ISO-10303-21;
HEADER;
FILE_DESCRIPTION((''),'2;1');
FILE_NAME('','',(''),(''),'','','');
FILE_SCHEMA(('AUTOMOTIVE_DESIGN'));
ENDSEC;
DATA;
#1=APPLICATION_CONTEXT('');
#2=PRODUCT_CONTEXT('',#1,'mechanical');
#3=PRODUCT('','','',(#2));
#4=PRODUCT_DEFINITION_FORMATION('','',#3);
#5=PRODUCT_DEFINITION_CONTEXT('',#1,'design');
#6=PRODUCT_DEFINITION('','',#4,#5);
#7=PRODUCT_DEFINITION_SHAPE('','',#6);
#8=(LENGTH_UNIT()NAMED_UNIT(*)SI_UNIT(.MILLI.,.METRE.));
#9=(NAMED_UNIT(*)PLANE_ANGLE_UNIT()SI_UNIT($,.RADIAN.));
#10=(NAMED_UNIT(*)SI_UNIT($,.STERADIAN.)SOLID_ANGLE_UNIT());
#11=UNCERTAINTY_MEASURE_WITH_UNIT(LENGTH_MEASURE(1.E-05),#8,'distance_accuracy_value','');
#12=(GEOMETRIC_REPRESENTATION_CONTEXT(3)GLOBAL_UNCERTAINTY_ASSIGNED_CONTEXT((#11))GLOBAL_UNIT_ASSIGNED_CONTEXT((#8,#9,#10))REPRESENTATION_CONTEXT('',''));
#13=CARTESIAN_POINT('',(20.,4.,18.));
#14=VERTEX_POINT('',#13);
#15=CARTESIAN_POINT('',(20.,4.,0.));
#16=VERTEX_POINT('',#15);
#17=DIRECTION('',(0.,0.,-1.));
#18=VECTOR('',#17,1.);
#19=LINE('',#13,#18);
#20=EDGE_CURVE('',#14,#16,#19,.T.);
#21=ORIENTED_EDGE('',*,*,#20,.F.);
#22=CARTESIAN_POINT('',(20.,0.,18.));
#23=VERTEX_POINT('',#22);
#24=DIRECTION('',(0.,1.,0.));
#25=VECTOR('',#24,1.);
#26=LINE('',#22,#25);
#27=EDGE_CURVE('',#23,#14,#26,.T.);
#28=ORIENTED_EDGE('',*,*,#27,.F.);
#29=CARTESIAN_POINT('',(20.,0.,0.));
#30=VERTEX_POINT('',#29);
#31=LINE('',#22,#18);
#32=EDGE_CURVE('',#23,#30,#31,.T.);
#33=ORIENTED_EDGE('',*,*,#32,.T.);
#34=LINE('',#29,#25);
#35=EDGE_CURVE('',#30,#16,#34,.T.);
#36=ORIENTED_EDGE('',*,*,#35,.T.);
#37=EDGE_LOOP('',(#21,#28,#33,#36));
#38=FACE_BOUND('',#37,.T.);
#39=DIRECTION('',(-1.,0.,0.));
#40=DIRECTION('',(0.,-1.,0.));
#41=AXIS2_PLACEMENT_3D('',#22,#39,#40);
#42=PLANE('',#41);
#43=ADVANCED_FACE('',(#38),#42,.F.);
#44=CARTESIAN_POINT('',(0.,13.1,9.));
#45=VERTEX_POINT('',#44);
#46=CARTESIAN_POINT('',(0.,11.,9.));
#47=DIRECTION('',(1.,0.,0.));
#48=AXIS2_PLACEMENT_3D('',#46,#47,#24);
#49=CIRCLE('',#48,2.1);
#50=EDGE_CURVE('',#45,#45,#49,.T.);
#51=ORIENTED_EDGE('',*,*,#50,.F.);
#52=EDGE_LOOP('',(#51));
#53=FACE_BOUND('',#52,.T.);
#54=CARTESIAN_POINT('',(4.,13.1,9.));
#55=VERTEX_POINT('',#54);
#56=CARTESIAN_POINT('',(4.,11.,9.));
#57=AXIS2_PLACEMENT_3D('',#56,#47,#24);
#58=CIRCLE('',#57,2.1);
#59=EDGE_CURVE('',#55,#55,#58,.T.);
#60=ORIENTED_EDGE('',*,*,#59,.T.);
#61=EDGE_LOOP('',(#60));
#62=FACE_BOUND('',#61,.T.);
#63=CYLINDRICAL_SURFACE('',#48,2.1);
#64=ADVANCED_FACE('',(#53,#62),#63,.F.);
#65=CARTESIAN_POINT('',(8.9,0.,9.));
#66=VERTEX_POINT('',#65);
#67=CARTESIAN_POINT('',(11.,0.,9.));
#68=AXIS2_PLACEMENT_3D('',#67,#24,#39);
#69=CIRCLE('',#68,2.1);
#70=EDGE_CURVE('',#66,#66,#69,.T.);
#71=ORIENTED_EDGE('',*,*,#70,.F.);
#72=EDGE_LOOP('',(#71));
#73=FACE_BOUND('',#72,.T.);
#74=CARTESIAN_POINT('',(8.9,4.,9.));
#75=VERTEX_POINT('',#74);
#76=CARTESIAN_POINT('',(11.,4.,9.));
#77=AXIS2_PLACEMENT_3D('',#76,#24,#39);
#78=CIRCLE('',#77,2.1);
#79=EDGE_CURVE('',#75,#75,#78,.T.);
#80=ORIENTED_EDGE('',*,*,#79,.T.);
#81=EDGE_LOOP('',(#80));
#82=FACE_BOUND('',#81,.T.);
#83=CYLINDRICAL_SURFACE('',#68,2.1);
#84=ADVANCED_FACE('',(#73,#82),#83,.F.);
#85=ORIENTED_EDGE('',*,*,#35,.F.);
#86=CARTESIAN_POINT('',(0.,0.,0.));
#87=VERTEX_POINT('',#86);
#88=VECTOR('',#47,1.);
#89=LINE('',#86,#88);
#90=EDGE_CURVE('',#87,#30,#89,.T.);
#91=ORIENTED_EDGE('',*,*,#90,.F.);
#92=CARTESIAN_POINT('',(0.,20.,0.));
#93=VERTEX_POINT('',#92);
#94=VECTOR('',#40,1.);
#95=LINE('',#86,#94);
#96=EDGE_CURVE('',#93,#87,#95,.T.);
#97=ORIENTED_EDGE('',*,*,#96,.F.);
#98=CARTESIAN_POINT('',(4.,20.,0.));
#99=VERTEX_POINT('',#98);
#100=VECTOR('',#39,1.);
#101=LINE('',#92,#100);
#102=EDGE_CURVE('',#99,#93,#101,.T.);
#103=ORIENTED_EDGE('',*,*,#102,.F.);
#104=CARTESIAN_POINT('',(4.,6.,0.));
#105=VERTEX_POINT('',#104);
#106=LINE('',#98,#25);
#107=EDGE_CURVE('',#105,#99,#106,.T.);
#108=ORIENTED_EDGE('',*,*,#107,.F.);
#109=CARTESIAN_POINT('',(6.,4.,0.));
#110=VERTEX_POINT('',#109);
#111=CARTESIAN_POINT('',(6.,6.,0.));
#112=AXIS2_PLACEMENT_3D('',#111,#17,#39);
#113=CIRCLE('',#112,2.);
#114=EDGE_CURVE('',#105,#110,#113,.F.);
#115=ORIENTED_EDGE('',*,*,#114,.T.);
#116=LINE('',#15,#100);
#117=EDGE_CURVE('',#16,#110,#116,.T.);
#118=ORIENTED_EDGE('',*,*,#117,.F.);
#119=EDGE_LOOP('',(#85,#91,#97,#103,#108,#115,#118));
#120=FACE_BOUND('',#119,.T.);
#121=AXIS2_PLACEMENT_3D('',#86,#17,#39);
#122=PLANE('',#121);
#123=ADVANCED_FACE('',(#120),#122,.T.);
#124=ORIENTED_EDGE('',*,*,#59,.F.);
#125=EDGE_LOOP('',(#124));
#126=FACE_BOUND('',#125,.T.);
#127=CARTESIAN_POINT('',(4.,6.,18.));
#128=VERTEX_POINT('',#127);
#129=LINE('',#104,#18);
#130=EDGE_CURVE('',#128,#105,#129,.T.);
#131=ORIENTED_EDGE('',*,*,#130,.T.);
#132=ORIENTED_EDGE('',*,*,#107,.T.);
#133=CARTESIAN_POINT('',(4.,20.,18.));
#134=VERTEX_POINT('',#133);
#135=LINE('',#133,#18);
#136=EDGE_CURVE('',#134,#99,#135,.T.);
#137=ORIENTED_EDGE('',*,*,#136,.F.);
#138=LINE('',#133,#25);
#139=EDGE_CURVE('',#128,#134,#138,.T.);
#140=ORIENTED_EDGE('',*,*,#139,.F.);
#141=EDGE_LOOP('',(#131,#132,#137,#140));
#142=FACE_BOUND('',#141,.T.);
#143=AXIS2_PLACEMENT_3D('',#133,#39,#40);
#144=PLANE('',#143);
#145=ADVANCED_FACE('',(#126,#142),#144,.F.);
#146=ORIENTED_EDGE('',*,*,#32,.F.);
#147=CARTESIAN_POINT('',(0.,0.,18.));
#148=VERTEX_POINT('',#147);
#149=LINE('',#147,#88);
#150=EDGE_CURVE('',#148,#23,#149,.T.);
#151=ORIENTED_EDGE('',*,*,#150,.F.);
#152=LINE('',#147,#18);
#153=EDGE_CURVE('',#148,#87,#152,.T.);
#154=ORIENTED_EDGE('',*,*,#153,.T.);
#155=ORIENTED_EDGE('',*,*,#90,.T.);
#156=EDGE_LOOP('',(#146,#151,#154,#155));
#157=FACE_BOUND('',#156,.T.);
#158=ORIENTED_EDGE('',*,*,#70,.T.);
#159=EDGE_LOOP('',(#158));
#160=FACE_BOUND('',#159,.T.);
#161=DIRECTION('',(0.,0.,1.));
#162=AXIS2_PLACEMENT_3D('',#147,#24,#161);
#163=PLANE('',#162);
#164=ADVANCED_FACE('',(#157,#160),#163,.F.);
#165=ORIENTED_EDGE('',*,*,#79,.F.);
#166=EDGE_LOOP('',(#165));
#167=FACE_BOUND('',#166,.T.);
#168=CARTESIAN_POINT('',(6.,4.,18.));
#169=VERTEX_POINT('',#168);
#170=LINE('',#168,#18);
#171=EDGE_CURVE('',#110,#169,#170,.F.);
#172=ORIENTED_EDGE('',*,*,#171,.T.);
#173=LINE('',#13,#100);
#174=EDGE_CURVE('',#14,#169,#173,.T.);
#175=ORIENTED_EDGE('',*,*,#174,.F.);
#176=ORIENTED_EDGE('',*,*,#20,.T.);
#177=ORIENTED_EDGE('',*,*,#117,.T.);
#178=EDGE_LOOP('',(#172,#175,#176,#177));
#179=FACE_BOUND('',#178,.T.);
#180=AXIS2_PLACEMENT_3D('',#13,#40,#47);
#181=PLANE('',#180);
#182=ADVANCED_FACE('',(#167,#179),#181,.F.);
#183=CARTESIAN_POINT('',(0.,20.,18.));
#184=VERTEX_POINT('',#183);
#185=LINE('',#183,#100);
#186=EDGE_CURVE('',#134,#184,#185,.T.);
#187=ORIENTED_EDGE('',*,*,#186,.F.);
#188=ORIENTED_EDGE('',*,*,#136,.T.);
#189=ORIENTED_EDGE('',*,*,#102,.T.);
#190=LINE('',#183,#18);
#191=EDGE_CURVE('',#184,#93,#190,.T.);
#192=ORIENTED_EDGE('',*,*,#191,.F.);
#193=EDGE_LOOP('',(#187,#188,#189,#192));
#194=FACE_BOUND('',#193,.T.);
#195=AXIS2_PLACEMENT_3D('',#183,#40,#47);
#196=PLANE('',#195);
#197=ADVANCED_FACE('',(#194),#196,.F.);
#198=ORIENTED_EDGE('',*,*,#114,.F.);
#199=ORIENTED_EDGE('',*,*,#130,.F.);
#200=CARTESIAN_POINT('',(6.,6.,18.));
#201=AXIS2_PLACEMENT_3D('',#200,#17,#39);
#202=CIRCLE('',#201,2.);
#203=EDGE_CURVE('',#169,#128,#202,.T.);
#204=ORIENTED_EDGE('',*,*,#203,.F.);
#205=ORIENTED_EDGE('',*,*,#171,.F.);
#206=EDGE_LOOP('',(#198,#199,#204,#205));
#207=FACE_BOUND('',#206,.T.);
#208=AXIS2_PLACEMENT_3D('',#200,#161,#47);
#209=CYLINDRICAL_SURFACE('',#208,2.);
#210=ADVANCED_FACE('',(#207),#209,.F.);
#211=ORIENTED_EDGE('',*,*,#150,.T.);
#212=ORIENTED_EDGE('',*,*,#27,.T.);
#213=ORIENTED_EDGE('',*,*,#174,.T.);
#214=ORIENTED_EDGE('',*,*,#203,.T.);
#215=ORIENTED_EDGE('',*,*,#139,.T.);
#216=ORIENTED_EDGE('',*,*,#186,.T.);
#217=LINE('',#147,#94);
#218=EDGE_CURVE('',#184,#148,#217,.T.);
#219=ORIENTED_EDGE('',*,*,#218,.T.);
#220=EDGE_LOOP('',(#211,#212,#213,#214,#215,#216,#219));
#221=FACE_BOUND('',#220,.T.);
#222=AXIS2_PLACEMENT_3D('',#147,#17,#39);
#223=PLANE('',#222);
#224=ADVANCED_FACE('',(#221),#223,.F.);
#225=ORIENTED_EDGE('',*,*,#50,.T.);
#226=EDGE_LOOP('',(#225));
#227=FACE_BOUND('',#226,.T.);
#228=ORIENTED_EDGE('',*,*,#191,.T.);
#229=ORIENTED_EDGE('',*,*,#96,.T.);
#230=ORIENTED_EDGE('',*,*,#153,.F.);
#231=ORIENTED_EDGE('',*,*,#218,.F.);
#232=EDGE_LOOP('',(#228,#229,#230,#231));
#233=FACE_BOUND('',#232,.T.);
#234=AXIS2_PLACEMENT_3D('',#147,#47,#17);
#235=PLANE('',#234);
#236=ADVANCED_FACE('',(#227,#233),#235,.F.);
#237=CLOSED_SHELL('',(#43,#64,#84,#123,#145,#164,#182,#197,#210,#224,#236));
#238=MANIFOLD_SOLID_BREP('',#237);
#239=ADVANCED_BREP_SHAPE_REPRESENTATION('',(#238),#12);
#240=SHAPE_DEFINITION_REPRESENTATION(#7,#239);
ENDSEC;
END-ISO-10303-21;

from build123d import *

# Parameters (mm, degrees)
DODANIE_WYCI_GNI_CIE1_DEPTH = 18
SZKIC2_R                    = 2.1
WYTNIJ_WYCI_GNI_CIE1_DEPTH  = 32.304951685
SZKIC3_R                    = 2.1
WYTNIJ_WYCI_GNI_CIE2_DEPTH  = 32.304951685
ZAOKR_GLENIE1_R             = 2


with BuildPart() as part:
    # Szkic1 → Dodanie-wyciągnięcie1 (new body)
    with BuildSketch(Plane.XY):
        Polygon((0, 0), (20, 0), (20, 4), (4, 4), (4, 20), (0, 20), align=None)
    extrude(amount=DODANIE_WYCI_GNI_CIE1_DEPTH)

    # Szkic2 → Wytnij-wyciągnięcie1 (cut, through all)
    with BuildSketch(Plane(origin=(4, 0, 0), x_dir=(0, 0, -1), z_dir=(1, 0, 0))):
        with Locations(Location((-9, 11, 0), (0, 0, 90))):
            Circle(SZKIC2_R)
    extrude(amount=-WYTNIJ_WYCI_GNI_CIE1_DEPTH, mode=Mode.SUBTRACT)

    # Szkic3 → Wytnij-wyciągnięcie2 (cut, through all)
    with BuildSketch(Plane(origin=(0, 4, 0), x_dir=(1, 0, 0), z_dir=(0, 1, 0))):
        with Locations(Location((11, -9, 0), (0, 0, 180))):
            Circle(SZKIC3_R)
    extrude(amount=-WYTNIJ_WYCI_GNI_CIE2_DEPTH, mode=Mode.SUBTRACT)

    # Zaokrąglenie1
    zaokr_glenie1_edges = [part.edges().sort_by_distance(p)[0] for p in [
        (4, 4, 9),
    ]]
    fillet(zaokr_glenie1_edges, radius=ZAOKR_GLENIE1_R)


solid = part.part
